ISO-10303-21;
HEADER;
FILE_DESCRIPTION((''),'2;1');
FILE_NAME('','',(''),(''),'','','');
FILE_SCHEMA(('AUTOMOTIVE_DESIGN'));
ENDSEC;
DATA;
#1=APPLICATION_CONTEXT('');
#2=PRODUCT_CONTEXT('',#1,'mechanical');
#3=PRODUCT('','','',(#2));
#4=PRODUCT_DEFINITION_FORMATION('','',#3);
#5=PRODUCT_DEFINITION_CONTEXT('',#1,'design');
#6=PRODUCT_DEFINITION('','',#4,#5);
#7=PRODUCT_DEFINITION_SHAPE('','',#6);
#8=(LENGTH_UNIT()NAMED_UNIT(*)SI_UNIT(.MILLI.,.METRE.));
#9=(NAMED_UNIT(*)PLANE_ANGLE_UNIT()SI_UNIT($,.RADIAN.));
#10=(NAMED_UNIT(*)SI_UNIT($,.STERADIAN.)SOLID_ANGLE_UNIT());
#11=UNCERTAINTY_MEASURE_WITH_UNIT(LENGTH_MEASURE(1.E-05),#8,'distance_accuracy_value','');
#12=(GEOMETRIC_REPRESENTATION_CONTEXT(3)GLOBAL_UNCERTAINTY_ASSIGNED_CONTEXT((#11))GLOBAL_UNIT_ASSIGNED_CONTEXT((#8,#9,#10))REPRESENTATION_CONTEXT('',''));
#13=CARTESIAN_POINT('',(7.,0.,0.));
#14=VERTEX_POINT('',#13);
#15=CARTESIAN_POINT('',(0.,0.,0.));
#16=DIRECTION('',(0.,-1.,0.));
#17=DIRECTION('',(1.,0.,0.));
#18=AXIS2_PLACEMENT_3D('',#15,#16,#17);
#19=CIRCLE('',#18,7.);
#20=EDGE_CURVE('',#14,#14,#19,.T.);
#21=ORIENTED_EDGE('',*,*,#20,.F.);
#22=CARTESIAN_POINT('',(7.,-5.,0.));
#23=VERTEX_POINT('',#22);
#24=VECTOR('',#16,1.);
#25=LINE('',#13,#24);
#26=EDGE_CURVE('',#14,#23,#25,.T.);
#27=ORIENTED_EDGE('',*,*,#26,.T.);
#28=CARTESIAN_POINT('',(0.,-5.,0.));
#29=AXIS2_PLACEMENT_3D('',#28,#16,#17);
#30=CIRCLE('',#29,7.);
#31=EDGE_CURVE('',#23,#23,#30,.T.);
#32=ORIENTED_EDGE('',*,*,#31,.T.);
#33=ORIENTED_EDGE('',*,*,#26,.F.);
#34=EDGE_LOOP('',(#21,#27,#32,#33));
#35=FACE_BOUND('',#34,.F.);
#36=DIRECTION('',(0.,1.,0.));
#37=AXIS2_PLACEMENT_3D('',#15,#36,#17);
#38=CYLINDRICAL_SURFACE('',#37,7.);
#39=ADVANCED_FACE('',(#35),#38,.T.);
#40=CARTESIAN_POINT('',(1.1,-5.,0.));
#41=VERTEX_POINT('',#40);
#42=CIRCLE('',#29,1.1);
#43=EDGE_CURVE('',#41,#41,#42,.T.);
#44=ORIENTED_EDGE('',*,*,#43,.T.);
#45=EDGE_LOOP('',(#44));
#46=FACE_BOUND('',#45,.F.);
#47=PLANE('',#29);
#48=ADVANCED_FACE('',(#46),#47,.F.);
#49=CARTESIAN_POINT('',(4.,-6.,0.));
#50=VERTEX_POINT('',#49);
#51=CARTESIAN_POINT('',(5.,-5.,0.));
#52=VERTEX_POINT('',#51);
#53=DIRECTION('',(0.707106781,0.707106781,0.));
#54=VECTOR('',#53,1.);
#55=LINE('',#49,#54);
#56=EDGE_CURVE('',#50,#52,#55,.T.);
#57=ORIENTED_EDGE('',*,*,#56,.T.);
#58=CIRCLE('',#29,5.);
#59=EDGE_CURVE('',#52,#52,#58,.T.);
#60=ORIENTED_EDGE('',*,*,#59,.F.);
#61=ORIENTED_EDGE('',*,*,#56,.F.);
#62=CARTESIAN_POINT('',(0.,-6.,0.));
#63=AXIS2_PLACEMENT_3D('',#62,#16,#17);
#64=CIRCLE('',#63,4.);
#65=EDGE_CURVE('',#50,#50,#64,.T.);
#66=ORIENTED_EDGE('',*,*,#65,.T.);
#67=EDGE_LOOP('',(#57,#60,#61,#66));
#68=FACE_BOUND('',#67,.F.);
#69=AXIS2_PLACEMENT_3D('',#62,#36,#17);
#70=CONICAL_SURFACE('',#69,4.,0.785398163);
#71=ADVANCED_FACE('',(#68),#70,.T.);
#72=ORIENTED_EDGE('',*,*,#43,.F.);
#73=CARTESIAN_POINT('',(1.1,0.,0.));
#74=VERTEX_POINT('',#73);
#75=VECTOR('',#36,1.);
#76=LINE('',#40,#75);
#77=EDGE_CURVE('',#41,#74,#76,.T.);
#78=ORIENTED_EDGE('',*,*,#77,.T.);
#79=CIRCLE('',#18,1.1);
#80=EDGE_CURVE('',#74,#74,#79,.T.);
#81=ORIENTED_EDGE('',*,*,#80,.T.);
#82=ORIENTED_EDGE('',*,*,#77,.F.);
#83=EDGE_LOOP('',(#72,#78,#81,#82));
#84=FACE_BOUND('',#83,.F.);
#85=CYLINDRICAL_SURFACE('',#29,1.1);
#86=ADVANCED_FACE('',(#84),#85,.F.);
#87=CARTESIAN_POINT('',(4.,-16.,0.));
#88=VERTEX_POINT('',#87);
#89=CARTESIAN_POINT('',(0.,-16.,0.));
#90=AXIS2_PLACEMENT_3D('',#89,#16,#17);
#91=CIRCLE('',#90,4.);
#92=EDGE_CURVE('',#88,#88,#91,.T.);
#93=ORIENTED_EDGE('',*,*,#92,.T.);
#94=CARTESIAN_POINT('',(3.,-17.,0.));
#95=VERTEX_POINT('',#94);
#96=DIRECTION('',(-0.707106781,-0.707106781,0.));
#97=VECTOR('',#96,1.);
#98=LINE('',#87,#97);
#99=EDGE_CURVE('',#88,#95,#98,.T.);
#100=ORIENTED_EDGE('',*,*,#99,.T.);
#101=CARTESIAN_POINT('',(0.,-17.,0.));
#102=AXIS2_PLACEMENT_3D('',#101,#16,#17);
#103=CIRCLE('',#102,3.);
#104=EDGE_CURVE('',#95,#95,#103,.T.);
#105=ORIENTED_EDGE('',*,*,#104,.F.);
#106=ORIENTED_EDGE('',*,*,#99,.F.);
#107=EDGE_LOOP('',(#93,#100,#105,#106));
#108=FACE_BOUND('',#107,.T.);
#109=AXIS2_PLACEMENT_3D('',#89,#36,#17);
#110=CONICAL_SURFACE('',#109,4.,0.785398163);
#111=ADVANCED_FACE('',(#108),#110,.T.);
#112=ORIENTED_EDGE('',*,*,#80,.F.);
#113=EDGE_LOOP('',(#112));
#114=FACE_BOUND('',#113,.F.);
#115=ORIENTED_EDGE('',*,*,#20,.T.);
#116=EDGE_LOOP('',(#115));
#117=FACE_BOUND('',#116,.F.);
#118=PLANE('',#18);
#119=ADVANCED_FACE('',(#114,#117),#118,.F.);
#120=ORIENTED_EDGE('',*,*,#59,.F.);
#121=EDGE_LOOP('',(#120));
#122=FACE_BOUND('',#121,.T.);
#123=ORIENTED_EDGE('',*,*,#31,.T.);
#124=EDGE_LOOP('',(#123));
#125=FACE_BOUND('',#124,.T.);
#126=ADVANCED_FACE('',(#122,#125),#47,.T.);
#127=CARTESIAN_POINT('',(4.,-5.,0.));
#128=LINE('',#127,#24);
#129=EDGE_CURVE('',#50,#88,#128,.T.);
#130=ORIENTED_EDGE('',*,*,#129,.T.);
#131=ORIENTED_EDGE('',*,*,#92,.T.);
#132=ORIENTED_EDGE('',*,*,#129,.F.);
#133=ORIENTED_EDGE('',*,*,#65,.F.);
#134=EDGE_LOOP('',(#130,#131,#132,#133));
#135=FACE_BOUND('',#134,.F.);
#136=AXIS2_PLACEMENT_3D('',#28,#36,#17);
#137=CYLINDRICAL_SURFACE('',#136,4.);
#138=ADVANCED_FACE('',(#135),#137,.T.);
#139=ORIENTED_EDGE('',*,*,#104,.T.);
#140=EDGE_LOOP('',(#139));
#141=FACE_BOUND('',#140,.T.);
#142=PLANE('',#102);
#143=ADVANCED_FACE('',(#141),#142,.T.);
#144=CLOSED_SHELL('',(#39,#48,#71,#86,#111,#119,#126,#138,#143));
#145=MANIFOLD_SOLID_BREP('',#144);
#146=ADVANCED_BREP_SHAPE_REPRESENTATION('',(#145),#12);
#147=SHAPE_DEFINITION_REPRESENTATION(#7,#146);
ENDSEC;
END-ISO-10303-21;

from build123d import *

# Parameters (mm, degrees)
F0_R     = 7
F1_DEPTH = 5
F2_R     = 1.1
F3_DEPTH = 5.001
F4_R     = 4
F5_DEPTH = 12
F6_SIZE  = 1


with BuildPart() as f1:
    # F0 (on Front) → F1 (new body)
    with BuildSketch(Plane.XZ):
        Circle(F0_R)
    extrude(amount=F1_DEPTH)

    # F2 (on face) → F3 (cut, through all)
    with BuildSketch(Plane.XZ.offset(5)):
        Circle(F2_R)
    extrude(amount=-F3_DEPTH, mode=Mode.SUBTRACT)

    # F4 (on face) → F5 (join)
    with BuildSketch(Plane.XZ.offset(5)):
        Circle(F4_R)
    extrude(amount=F5_DEPTH)

    # F6
    f6_edges = [f1.edges().sort_by_distance(p)[0] for p in [
        (-4, -17, 0),
        (-4, -5, 0),
    ]]
    chamfer(f6_edges, length=F6_SIZE)


solid = f1.part
